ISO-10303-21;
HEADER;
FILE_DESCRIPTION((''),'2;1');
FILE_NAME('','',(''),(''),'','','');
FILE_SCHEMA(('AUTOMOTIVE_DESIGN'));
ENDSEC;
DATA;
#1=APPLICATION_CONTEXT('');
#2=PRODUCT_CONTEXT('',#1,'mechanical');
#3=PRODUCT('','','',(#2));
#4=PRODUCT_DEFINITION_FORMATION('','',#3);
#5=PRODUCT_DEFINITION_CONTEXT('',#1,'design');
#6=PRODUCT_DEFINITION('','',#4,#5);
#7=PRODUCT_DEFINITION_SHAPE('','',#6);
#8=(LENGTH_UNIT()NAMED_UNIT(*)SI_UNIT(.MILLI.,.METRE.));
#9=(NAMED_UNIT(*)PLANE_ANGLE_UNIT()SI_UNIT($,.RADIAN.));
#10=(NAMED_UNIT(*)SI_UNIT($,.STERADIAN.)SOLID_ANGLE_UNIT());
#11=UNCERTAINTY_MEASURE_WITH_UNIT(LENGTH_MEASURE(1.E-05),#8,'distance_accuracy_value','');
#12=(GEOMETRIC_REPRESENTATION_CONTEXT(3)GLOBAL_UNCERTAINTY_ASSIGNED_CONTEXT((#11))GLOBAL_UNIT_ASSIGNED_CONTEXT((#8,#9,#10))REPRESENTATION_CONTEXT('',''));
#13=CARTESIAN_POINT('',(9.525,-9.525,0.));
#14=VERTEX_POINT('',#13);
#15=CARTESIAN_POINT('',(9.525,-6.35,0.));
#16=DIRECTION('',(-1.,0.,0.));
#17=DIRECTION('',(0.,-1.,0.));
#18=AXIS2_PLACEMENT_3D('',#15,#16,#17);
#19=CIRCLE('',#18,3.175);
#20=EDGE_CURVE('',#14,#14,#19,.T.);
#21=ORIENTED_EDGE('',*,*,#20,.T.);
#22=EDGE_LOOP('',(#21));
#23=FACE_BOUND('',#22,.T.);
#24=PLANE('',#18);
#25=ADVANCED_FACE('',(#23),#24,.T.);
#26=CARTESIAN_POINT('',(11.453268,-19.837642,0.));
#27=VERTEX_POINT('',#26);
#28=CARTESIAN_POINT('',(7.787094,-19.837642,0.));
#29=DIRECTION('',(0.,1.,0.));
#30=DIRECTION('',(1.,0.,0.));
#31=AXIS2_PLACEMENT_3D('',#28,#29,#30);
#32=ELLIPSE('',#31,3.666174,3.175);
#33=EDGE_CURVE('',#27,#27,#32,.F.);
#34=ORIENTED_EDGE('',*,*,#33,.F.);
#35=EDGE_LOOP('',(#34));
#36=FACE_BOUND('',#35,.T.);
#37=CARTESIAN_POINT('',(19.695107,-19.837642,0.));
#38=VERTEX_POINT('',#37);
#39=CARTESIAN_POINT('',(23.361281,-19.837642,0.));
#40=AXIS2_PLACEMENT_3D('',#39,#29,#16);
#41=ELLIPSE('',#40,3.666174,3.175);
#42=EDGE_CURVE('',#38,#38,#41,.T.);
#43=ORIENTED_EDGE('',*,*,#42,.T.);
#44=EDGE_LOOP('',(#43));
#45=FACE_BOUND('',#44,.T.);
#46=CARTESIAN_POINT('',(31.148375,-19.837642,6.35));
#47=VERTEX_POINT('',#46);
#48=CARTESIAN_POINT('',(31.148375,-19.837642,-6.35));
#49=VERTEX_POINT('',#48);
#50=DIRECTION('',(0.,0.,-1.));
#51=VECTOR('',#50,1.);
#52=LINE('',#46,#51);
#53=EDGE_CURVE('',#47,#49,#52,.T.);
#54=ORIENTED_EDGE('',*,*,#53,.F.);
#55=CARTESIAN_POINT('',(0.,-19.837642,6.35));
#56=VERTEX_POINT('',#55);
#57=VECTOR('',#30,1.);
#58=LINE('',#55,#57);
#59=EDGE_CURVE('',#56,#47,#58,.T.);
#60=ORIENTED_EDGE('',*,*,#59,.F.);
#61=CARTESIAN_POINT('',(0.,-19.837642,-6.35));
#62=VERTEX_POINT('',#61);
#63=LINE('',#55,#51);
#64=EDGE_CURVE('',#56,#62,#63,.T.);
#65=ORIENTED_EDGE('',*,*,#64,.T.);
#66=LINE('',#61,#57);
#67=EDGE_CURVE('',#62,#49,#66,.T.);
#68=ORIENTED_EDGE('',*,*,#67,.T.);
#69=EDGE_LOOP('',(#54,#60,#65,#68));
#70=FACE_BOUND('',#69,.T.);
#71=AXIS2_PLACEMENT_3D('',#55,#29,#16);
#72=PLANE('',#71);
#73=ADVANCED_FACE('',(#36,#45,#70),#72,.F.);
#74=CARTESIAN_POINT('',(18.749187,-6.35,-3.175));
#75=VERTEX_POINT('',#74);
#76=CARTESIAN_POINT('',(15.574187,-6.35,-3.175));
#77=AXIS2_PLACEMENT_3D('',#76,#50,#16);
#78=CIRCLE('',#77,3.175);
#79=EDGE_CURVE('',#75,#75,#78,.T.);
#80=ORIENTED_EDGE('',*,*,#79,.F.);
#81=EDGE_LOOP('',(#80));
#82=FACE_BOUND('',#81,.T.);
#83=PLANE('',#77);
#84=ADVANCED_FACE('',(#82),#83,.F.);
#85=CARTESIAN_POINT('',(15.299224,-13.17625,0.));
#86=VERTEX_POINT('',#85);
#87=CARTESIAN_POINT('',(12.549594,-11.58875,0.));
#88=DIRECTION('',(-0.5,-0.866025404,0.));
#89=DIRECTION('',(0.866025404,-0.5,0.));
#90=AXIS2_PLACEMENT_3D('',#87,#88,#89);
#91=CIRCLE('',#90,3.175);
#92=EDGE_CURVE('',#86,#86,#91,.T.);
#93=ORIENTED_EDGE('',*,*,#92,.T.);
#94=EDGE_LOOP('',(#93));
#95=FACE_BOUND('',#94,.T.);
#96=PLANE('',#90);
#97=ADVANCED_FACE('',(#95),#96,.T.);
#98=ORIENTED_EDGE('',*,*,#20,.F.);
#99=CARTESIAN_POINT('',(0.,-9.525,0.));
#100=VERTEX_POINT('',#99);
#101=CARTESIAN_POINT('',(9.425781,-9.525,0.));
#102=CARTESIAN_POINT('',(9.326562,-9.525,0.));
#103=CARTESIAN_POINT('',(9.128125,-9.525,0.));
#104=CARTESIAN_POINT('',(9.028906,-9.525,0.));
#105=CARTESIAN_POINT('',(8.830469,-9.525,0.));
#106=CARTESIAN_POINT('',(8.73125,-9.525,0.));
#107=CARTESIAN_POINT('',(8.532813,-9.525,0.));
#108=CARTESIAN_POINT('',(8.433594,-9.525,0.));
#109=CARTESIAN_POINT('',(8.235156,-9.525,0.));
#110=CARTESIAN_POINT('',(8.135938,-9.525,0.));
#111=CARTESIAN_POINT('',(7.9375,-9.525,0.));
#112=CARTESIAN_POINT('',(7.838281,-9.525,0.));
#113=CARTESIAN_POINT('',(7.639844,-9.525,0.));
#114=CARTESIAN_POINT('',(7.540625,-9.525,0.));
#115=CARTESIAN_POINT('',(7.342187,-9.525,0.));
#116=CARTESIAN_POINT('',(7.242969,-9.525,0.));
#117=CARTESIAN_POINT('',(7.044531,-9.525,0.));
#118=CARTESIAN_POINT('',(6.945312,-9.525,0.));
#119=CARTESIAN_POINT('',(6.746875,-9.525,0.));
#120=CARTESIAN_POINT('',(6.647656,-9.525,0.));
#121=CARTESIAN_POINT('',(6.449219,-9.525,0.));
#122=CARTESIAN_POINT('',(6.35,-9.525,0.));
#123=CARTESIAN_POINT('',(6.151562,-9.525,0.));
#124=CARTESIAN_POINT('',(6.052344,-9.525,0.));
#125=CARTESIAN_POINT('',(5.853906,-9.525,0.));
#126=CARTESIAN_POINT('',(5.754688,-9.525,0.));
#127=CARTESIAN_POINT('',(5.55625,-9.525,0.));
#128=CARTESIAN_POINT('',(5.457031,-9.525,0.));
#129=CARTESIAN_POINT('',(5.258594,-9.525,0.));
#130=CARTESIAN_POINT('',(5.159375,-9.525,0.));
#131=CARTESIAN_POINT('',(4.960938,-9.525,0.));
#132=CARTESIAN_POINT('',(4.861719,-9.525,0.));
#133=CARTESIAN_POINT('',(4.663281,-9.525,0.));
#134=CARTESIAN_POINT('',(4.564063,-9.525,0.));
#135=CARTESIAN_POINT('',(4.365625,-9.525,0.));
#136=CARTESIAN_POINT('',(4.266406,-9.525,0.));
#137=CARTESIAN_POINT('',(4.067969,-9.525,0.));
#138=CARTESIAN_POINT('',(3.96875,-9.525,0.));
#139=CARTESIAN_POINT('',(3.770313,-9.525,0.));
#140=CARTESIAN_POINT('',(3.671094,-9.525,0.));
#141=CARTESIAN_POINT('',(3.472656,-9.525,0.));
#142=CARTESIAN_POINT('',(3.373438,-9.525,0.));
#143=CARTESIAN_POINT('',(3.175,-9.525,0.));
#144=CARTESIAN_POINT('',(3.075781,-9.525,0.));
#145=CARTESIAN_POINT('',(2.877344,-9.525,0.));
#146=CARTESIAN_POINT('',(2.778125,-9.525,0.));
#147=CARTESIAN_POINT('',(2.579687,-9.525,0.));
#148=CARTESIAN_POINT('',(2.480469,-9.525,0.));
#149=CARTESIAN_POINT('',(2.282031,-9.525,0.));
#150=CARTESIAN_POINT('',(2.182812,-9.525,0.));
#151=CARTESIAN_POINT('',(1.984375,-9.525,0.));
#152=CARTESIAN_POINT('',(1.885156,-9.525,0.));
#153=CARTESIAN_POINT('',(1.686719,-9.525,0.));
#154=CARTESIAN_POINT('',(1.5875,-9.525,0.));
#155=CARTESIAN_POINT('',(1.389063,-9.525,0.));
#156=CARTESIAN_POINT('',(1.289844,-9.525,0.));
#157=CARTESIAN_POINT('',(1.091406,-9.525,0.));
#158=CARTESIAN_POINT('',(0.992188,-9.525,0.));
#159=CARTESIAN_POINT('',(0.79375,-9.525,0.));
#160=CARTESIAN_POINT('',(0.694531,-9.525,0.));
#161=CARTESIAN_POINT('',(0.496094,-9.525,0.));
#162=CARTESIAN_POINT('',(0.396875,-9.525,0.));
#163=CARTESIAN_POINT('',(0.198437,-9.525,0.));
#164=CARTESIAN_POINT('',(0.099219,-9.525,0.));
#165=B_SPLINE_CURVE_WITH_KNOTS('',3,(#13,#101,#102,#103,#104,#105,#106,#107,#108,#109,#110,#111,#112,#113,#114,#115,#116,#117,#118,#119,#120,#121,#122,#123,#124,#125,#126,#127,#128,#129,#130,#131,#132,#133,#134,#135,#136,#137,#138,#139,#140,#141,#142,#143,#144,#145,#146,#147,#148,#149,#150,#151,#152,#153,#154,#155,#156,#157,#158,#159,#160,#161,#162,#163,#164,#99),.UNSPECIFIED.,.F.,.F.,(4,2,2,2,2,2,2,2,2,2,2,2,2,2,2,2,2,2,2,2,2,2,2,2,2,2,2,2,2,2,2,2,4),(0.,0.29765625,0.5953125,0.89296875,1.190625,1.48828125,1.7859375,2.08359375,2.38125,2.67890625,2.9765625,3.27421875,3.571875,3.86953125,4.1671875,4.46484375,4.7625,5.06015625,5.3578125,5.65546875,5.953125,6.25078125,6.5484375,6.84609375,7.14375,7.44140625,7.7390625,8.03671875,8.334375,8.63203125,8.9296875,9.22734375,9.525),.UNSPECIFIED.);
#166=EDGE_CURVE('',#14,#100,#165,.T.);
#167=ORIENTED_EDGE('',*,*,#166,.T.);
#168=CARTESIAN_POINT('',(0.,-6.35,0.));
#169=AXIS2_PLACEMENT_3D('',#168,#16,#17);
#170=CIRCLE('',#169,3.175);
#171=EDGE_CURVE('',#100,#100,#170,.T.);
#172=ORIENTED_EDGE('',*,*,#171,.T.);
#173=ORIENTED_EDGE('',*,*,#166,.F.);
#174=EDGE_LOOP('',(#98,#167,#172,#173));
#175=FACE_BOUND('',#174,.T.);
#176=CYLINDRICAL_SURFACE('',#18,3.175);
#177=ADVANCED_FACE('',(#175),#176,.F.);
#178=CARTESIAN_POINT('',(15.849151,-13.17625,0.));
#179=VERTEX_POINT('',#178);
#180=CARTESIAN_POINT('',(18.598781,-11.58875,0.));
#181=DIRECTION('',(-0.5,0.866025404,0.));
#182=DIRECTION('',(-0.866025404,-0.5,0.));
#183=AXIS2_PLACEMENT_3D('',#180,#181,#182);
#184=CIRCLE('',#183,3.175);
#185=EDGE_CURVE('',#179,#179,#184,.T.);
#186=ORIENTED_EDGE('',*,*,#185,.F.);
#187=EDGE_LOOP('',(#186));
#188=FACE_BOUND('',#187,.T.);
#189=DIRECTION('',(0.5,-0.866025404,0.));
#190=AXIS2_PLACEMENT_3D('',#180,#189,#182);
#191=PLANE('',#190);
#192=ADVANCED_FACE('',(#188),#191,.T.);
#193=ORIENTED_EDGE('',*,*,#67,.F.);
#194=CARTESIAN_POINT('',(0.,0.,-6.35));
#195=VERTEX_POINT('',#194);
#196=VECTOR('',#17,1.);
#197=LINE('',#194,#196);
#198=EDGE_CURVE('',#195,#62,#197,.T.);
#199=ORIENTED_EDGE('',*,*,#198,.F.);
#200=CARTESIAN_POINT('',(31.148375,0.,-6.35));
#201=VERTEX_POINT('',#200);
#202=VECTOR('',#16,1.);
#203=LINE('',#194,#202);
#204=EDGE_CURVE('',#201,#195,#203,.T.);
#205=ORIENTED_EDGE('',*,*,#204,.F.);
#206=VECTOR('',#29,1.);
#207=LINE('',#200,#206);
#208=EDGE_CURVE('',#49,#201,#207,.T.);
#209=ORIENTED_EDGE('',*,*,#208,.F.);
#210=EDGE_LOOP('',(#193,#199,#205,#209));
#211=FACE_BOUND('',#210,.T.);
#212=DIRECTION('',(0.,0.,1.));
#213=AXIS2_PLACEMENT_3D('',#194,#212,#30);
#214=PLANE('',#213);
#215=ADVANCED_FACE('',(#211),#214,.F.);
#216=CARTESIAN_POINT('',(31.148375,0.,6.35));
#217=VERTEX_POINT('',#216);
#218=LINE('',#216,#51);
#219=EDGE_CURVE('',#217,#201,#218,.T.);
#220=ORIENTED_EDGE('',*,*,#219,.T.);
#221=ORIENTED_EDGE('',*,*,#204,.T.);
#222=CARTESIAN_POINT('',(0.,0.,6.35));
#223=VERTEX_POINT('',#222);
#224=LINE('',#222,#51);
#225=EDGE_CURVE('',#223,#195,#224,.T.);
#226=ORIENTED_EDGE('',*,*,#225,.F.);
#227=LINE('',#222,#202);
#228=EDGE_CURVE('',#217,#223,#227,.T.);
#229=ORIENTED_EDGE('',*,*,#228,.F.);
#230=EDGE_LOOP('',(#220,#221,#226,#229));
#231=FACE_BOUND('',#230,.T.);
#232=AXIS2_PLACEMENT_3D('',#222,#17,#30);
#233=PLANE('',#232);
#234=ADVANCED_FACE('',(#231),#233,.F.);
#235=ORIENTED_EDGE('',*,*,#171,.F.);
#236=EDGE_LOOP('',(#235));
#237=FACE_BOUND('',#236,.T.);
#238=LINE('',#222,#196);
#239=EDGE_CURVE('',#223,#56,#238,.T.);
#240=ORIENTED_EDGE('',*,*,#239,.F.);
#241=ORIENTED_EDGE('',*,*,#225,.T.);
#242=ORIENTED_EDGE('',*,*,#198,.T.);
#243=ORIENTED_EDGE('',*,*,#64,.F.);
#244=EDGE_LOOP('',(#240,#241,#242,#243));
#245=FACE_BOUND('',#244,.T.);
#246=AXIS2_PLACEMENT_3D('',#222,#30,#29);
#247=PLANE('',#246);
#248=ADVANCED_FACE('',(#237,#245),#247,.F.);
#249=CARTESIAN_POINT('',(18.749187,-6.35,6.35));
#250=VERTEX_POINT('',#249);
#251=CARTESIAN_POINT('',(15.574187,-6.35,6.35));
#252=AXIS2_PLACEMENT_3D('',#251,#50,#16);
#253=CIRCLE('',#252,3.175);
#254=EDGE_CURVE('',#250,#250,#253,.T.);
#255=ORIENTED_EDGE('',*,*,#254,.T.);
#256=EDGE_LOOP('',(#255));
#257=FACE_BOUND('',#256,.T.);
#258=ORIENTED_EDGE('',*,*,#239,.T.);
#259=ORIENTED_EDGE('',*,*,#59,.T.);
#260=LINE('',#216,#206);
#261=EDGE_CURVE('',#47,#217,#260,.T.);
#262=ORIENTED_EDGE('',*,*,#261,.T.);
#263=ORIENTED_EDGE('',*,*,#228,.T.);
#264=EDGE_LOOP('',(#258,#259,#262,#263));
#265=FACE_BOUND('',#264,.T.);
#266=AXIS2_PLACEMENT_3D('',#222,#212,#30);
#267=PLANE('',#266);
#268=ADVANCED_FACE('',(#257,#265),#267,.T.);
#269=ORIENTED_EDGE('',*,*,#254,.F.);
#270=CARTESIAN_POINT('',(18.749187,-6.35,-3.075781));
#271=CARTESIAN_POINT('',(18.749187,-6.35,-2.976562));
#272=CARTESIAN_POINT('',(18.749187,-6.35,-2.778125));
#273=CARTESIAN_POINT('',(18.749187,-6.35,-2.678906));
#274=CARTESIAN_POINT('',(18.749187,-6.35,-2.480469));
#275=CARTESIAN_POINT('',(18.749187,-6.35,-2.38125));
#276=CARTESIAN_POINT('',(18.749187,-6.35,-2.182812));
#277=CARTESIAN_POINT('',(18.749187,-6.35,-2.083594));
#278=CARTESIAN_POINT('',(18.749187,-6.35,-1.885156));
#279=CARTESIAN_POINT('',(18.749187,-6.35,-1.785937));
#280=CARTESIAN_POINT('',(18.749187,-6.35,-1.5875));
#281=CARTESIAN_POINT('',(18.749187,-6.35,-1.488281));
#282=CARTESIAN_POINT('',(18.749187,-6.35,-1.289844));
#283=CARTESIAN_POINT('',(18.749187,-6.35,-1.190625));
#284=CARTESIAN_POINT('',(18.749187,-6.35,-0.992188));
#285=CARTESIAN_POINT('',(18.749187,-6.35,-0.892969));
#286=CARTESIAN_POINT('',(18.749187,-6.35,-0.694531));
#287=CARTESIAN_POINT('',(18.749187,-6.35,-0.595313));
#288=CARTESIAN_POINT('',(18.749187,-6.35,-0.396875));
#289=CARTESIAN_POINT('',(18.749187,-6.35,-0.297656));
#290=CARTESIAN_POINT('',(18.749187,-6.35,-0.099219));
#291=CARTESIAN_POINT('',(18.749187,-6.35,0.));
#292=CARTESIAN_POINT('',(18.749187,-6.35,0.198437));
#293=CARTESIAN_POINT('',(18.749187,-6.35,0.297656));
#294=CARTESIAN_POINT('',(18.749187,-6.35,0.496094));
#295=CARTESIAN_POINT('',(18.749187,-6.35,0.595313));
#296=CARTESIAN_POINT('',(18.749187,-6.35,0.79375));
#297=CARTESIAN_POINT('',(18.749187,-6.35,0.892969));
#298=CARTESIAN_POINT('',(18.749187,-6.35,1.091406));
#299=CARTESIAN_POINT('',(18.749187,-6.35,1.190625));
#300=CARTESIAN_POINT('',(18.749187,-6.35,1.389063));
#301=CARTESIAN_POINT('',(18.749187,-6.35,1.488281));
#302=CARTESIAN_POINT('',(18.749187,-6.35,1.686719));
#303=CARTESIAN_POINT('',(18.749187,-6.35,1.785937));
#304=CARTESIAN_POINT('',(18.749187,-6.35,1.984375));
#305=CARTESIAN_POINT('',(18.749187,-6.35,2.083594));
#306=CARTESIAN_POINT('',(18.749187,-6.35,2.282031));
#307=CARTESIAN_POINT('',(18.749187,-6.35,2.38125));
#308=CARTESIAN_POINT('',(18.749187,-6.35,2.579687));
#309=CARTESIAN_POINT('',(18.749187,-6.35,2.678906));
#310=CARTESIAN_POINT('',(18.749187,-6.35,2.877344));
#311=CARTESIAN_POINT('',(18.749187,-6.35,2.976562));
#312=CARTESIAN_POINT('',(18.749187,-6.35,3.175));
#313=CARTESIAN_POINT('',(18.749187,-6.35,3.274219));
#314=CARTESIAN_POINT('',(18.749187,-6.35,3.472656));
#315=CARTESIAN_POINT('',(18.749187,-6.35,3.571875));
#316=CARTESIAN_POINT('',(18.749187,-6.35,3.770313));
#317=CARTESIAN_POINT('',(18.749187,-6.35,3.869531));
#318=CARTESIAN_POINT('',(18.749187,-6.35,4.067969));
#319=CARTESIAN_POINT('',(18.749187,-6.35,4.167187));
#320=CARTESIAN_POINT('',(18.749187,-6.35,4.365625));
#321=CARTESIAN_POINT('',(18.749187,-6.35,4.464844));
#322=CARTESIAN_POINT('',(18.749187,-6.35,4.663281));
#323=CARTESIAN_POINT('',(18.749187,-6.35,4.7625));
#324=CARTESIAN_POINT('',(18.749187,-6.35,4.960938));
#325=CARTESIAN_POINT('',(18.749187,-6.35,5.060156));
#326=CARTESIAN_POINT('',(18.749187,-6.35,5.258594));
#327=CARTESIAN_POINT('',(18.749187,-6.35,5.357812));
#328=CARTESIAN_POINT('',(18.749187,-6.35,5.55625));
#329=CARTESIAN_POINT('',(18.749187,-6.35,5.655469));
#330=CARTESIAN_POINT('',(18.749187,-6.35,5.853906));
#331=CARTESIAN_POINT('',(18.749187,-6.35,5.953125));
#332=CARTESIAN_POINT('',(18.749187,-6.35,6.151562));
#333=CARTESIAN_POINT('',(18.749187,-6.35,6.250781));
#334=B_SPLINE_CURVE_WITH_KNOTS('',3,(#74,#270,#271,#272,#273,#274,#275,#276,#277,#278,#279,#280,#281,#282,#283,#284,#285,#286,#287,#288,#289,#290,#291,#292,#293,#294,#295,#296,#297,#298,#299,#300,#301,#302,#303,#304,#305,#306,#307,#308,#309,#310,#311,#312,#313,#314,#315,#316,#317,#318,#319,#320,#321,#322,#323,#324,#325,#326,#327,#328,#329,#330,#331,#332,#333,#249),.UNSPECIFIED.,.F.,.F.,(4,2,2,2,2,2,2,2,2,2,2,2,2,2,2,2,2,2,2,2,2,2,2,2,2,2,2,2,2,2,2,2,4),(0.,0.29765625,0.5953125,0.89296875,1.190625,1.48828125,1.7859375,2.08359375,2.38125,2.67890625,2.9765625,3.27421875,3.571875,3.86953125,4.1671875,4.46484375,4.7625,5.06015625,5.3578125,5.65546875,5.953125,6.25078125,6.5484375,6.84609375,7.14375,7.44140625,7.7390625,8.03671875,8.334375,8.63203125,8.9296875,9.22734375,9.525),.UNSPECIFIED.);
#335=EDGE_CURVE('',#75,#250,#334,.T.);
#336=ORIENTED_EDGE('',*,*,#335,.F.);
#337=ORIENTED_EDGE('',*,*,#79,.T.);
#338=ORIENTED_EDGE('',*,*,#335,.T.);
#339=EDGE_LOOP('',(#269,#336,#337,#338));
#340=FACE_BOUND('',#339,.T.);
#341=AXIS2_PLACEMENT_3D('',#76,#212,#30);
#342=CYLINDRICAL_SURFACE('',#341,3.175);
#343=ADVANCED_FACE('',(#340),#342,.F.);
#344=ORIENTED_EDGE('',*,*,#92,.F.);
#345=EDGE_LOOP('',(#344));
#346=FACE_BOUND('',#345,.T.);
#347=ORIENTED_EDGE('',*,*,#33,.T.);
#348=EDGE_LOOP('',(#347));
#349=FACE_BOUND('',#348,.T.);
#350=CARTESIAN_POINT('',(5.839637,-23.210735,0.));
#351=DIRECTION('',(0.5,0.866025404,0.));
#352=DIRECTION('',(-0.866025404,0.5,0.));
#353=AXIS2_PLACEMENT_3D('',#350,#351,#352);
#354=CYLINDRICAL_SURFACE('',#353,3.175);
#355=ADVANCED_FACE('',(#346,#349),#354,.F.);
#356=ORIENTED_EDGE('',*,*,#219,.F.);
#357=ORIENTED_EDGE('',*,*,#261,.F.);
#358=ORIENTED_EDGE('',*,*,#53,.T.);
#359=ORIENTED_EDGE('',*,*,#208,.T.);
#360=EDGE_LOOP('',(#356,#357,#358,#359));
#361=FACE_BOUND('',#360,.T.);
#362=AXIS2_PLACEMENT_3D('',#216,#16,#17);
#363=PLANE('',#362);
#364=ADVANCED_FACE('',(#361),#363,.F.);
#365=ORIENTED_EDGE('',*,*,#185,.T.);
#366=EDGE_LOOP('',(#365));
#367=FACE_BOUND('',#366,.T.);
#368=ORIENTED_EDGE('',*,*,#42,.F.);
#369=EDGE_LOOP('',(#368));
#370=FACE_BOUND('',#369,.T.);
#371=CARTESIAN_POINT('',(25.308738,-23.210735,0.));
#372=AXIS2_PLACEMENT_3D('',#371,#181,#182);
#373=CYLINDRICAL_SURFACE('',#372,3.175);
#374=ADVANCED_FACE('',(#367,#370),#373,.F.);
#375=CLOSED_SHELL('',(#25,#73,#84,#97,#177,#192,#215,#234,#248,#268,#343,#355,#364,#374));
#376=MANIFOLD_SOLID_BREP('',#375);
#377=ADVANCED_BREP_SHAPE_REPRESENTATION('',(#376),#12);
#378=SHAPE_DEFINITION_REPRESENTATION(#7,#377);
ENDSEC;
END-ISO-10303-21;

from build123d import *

# Parameters (mm, degrees)
SKETCH3_W                      = 31.148374891
SKETCH3_H                      = 19.837641971
BOSS_EXTRUDE1_DEPTH            = 6.35
SKETCH4_R                      = 3.175
CUT_EXTRUDE1_DEPTH             = 9.525
SKETCH5_R                      = 3.175
CUT_EXTRUDE5_DEPTH             = 9.525
CUT_EXTRUDE5_DIRECTION_2_REACH = 33.299
SKETCH6_R                      = 3.175
CUT_EXTRUDE6_DEPTH             = 9.525


with BuildPart() as part:
    # Sketch3 → Boss-Extrude1 (new, symmetric)
    with BuildSketch(Plane.XY):
        with Locations((15.574187446, -9.918820986)):
            Rectangle(SKETCH3_W, SKETCH3_H)
    extrude(amount=BOSS_EXTRUDE1_DEPTH, both=True)

    # Sketch4 → Cut-Extrude1 (cut)
    with BuildSketch(Plane.ZY):
        with Locations(Location((0, -6.35, 0), (0, 0, 270))):
            Circle(SKETCH4_R)
    extrude(amount=-CUT_EXTRUDE1_DEPTH, mode=Mode.SUBTRACT)

    # Sketch5 → Cut-Extrude5 (cut)
    with BuildSketch(Plane(origin=(7.787093723, -19.837641971, 0), x_dir=(-0.8660254037844382, 0.500000000000001, 0), z_dir=(-0.500000000000001, -0.8660254037844382, 0))):
        with Locations(Location((0, 0, 0), (0, 0, 180))):
            Circle(SKETCH5_R)
    cut_extrude5 = extrude(amount=-CUT_EXTRUDE5_DEPTH, mode=Mode.SUBTRACT)

    # Sketch5 → Cut-Extrude5 direction 2 (cut, up to next)
    with BuildSketch(Plane(origin=(7.787093723, -19.837641971, 0), x_dir=(-0.8660254037844382, 0.500000000000001, 0), z_dir=(-0.500000000000001, -0.8660254037844382, 0)), mode=Mode.PRIVATE) as cut_extrude5_direction_2_sk1:
        with Locations(Location((0, 0, 0), (0, 0, 180))):
            Circle(SKETCH5_R)
    cut_extrude5_direction_2_tool1 = extrude(cut_extrude5_direction_2_sk1.sketch, amount=CUT_EXTRUDE5_DIRECTION_2_REACH, mode=Mode.PRIVATE) & part.part
    cut_extrude5_direction_2 = cut_extrude5_direction_2_tool1.solids().sort_by_distance((7.787094, -19.837642, 0))[0]
    add(cut_extrude5_direction_2, mode=Mode.SUBTRACT)

    # Sketch6 → Cut-Extrude6 (cut)
    with BuildSketch(Plane(origin=(0, 0, 6.35), x_dir=(-1, 0, 0), z_dir=(0, 0, -1))):
        with Locations(Location((-15.574187445, -6.35, 0), (0, 0, 180))):
            Circle(SKETCH6_R)
    extrude(amount=CUT_EXTRUDE6_DEPTH, mode=Mode.SUBTRACT)

    # Mirror1: Cut-Extrude5, Cut-Extrude5 direction 2 across plane
    add(cut_extrude5.mirror(Plane.ZY.offset(-15.574187445)), mode=Mode.SUBTRACT)
    add(cut_extrude5_direction_2.mirror(Plane.ZY.offset(-15.574187445)), mode=Mode.SUBTRACT)


solid = part.part
